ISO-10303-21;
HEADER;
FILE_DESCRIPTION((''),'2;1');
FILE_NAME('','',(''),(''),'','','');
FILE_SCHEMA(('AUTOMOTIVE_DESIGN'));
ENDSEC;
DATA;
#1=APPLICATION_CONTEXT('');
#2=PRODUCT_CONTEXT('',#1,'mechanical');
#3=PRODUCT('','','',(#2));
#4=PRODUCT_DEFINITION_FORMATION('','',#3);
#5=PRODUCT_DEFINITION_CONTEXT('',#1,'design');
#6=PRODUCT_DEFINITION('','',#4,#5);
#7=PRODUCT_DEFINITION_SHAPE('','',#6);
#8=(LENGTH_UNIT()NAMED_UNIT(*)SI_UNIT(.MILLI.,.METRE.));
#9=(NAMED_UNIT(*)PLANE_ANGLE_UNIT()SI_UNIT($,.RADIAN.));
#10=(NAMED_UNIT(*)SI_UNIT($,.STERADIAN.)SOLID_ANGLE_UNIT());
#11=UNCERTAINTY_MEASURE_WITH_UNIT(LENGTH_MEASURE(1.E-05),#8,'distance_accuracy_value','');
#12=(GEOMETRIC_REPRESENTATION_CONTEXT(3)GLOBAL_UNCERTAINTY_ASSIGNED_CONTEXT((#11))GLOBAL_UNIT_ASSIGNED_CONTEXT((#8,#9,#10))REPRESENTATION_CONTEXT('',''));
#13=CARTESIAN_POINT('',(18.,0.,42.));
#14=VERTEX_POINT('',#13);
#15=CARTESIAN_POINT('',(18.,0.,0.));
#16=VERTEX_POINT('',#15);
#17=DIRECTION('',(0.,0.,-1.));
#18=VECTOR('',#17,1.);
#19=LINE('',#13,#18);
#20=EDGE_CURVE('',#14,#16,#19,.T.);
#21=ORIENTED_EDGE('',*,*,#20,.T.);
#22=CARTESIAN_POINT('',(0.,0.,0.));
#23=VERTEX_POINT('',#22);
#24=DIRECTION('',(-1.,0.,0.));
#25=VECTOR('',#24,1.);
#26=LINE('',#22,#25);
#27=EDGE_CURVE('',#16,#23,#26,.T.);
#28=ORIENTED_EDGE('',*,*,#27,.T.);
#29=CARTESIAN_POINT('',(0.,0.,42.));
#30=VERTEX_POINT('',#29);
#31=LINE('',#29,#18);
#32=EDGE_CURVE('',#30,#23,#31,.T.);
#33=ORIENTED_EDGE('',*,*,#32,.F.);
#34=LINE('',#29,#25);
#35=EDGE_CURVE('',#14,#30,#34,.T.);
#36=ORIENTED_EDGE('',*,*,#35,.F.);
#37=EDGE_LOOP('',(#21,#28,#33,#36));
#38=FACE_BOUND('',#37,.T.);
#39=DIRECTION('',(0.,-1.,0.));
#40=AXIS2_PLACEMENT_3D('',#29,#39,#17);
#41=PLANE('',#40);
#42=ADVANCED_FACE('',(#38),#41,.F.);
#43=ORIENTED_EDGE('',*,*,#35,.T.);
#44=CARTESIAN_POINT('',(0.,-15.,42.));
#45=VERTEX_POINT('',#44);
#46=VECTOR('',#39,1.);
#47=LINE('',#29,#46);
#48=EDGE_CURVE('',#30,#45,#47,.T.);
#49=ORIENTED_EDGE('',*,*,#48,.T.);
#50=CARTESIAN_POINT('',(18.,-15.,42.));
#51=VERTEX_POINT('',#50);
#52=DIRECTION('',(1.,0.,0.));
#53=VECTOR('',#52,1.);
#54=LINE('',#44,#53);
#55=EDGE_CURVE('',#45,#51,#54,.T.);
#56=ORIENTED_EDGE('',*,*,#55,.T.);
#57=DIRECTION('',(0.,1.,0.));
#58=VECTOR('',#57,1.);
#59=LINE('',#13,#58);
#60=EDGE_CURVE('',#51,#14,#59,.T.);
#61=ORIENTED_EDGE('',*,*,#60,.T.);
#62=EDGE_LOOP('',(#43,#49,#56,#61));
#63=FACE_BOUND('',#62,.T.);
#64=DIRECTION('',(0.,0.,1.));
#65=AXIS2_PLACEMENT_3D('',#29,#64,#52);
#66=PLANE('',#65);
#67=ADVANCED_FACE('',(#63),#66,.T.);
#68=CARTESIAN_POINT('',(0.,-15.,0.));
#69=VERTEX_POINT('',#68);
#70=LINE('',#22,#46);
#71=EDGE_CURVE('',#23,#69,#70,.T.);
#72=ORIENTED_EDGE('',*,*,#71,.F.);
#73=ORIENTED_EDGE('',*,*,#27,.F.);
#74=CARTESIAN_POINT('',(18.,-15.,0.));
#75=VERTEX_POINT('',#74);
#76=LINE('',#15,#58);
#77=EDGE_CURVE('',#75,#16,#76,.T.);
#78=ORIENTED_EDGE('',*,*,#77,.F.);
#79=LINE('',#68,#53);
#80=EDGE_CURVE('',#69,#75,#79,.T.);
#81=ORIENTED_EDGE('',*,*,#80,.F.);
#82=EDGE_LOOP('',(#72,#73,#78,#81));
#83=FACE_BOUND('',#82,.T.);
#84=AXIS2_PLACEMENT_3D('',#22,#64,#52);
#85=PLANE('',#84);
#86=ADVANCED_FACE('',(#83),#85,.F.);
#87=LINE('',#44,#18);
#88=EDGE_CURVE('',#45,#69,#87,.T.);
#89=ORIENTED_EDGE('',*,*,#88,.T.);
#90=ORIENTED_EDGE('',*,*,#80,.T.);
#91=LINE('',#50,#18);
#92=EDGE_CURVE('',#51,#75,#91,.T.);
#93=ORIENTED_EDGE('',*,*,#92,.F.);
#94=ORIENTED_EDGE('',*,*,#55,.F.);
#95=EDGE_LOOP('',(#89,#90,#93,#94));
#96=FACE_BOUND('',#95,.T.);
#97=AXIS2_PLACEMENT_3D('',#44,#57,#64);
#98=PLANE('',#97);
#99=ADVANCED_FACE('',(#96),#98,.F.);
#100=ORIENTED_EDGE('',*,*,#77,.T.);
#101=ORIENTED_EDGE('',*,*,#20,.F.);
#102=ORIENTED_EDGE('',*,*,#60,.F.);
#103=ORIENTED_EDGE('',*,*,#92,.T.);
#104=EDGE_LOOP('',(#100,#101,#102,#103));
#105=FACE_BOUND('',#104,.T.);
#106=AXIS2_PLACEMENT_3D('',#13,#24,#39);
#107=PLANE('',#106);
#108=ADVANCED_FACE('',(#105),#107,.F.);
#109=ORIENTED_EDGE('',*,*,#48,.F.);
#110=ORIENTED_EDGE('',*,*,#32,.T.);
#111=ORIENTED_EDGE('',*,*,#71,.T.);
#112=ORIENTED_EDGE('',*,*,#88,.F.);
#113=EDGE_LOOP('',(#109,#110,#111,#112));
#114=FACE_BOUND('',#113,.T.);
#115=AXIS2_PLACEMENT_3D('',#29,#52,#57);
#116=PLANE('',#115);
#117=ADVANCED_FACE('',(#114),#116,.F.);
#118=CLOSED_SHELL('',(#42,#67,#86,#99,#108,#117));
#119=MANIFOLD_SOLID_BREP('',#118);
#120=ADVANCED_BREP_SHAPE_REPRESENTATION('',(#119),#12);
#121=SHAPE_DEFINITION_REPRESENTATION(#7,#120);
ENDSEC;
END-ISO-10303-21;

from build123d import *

# Parameters (mm, degrees)
SKETCH_1_W      = 18
SKETCH_1_H      = 15
EXTRUDE_1_DEPTH = 42


with BuildPart() as part:
    # 草图1 → 凸台-拉伸1 (new body)
    with BuildSketch(Plane.XY):
        with Locations((9, -7.5)):
            Rectangle(SKETCH_1_W, SKETCH_1_H)
    extrude(amount=EXTRUDE_1_DEPTH)


solid = part.part
